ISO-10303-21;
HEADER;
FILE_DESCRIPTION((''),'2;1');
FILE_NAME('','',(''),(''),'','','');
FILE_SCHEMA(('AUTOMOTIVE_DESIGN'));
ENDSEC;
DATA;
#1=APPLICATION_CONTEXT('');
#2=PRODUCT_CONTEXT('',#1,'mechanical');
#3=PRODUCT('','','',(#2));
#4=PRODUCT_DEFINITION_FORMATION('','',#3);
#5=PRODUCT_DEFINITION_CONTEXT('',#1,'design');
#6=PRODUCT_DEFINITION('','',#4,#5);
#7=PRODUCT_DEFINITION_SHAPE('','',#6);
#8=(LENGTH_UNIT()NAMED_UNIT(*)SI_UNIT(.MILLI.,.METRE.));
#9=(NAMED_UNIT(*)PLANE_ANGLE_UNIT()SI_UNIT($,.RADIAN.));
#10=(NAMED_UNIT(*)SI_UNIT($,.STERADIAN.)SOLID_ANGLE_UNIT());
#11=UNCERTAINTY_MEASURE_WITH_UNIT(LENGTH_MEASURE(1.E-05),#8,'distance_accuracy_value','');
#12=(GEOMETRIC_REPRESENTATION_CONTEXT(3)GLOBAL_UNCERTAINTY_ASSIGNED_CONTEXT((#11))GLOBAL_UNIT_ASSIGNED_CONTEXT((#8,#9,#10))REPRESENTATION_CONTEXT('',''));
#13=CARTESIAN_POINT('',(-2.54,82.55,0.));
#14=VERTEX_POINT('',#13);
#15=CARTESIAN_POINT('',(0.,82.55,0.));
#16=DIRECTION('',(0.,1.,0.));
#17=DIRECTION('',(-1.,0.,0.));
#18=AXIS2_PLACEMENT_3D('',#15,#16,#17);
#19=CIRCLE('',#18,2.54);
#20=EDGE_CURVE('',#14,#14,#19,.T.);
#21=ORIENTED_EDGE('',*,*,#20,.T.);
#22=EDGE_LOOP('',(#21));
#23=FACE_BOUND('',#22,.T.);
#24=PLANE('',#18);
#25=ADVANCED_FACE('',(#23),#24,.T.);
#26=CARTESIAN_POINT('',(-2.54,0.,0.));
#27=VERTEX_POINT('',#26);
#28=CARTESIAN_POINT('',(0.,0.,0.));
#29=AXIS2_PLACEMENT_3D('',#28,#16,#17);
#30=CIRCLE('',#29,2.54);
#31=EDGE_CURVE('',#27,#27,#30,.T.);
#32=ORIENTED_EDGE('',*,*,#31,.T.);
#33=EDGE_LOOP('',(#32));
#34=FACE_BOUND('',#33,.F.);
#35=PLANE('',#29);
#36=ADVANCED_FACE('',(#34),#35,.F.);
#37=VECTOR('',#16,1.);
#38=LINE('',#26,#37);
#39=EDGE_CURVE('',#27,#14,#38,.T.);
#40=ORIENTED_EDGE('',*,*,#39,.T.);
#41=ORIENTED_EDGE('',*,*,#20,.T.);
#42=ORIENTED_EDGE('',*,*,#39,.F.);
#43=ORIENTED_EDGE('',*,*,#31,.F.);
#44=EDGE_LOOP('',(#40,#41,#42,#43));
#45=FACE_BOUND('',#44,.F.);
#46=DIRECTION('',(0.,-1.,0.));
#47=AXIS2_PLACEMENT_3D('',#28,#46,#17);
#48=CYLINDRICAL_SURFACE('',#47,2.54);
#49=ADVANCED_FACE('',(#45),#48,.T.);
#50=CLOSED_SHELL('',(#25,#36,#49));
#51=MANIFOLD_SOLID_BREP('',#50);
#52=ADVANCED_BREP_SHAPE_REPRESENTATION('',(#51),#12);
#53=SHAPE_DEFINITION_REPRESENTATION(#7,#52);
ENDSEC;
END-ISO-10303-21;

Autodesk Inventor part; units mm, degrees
ref_plane "YZ Plane" through (0, 0, 0) normal (1, 0, 0) x (0, 1, 0)
ref_plane "XZ Plane" through (0, 0, 0) normal (0, 1, 0) x (-1, 0, 0)
ref_plane "XY Plane" through (0, 0, 0) normal (0, 0, 1) x (1, 0, 0)
sketch "Sketch1" plane through (0, 0, 0) normal (0, 1, 0) x (-1, 0, 0)
  circle A0 centre (0, 0) radius 2.54
  dimension "d0" = 5.08
extrude "Extrusion1" add sketch "Sketch1" along normal blind 82.55
thread "Thread1" size "12-24 UNC" class "2A" standard "ANSI Unified Screw Threads" length 5.08
properties part number "4.5 rod"
